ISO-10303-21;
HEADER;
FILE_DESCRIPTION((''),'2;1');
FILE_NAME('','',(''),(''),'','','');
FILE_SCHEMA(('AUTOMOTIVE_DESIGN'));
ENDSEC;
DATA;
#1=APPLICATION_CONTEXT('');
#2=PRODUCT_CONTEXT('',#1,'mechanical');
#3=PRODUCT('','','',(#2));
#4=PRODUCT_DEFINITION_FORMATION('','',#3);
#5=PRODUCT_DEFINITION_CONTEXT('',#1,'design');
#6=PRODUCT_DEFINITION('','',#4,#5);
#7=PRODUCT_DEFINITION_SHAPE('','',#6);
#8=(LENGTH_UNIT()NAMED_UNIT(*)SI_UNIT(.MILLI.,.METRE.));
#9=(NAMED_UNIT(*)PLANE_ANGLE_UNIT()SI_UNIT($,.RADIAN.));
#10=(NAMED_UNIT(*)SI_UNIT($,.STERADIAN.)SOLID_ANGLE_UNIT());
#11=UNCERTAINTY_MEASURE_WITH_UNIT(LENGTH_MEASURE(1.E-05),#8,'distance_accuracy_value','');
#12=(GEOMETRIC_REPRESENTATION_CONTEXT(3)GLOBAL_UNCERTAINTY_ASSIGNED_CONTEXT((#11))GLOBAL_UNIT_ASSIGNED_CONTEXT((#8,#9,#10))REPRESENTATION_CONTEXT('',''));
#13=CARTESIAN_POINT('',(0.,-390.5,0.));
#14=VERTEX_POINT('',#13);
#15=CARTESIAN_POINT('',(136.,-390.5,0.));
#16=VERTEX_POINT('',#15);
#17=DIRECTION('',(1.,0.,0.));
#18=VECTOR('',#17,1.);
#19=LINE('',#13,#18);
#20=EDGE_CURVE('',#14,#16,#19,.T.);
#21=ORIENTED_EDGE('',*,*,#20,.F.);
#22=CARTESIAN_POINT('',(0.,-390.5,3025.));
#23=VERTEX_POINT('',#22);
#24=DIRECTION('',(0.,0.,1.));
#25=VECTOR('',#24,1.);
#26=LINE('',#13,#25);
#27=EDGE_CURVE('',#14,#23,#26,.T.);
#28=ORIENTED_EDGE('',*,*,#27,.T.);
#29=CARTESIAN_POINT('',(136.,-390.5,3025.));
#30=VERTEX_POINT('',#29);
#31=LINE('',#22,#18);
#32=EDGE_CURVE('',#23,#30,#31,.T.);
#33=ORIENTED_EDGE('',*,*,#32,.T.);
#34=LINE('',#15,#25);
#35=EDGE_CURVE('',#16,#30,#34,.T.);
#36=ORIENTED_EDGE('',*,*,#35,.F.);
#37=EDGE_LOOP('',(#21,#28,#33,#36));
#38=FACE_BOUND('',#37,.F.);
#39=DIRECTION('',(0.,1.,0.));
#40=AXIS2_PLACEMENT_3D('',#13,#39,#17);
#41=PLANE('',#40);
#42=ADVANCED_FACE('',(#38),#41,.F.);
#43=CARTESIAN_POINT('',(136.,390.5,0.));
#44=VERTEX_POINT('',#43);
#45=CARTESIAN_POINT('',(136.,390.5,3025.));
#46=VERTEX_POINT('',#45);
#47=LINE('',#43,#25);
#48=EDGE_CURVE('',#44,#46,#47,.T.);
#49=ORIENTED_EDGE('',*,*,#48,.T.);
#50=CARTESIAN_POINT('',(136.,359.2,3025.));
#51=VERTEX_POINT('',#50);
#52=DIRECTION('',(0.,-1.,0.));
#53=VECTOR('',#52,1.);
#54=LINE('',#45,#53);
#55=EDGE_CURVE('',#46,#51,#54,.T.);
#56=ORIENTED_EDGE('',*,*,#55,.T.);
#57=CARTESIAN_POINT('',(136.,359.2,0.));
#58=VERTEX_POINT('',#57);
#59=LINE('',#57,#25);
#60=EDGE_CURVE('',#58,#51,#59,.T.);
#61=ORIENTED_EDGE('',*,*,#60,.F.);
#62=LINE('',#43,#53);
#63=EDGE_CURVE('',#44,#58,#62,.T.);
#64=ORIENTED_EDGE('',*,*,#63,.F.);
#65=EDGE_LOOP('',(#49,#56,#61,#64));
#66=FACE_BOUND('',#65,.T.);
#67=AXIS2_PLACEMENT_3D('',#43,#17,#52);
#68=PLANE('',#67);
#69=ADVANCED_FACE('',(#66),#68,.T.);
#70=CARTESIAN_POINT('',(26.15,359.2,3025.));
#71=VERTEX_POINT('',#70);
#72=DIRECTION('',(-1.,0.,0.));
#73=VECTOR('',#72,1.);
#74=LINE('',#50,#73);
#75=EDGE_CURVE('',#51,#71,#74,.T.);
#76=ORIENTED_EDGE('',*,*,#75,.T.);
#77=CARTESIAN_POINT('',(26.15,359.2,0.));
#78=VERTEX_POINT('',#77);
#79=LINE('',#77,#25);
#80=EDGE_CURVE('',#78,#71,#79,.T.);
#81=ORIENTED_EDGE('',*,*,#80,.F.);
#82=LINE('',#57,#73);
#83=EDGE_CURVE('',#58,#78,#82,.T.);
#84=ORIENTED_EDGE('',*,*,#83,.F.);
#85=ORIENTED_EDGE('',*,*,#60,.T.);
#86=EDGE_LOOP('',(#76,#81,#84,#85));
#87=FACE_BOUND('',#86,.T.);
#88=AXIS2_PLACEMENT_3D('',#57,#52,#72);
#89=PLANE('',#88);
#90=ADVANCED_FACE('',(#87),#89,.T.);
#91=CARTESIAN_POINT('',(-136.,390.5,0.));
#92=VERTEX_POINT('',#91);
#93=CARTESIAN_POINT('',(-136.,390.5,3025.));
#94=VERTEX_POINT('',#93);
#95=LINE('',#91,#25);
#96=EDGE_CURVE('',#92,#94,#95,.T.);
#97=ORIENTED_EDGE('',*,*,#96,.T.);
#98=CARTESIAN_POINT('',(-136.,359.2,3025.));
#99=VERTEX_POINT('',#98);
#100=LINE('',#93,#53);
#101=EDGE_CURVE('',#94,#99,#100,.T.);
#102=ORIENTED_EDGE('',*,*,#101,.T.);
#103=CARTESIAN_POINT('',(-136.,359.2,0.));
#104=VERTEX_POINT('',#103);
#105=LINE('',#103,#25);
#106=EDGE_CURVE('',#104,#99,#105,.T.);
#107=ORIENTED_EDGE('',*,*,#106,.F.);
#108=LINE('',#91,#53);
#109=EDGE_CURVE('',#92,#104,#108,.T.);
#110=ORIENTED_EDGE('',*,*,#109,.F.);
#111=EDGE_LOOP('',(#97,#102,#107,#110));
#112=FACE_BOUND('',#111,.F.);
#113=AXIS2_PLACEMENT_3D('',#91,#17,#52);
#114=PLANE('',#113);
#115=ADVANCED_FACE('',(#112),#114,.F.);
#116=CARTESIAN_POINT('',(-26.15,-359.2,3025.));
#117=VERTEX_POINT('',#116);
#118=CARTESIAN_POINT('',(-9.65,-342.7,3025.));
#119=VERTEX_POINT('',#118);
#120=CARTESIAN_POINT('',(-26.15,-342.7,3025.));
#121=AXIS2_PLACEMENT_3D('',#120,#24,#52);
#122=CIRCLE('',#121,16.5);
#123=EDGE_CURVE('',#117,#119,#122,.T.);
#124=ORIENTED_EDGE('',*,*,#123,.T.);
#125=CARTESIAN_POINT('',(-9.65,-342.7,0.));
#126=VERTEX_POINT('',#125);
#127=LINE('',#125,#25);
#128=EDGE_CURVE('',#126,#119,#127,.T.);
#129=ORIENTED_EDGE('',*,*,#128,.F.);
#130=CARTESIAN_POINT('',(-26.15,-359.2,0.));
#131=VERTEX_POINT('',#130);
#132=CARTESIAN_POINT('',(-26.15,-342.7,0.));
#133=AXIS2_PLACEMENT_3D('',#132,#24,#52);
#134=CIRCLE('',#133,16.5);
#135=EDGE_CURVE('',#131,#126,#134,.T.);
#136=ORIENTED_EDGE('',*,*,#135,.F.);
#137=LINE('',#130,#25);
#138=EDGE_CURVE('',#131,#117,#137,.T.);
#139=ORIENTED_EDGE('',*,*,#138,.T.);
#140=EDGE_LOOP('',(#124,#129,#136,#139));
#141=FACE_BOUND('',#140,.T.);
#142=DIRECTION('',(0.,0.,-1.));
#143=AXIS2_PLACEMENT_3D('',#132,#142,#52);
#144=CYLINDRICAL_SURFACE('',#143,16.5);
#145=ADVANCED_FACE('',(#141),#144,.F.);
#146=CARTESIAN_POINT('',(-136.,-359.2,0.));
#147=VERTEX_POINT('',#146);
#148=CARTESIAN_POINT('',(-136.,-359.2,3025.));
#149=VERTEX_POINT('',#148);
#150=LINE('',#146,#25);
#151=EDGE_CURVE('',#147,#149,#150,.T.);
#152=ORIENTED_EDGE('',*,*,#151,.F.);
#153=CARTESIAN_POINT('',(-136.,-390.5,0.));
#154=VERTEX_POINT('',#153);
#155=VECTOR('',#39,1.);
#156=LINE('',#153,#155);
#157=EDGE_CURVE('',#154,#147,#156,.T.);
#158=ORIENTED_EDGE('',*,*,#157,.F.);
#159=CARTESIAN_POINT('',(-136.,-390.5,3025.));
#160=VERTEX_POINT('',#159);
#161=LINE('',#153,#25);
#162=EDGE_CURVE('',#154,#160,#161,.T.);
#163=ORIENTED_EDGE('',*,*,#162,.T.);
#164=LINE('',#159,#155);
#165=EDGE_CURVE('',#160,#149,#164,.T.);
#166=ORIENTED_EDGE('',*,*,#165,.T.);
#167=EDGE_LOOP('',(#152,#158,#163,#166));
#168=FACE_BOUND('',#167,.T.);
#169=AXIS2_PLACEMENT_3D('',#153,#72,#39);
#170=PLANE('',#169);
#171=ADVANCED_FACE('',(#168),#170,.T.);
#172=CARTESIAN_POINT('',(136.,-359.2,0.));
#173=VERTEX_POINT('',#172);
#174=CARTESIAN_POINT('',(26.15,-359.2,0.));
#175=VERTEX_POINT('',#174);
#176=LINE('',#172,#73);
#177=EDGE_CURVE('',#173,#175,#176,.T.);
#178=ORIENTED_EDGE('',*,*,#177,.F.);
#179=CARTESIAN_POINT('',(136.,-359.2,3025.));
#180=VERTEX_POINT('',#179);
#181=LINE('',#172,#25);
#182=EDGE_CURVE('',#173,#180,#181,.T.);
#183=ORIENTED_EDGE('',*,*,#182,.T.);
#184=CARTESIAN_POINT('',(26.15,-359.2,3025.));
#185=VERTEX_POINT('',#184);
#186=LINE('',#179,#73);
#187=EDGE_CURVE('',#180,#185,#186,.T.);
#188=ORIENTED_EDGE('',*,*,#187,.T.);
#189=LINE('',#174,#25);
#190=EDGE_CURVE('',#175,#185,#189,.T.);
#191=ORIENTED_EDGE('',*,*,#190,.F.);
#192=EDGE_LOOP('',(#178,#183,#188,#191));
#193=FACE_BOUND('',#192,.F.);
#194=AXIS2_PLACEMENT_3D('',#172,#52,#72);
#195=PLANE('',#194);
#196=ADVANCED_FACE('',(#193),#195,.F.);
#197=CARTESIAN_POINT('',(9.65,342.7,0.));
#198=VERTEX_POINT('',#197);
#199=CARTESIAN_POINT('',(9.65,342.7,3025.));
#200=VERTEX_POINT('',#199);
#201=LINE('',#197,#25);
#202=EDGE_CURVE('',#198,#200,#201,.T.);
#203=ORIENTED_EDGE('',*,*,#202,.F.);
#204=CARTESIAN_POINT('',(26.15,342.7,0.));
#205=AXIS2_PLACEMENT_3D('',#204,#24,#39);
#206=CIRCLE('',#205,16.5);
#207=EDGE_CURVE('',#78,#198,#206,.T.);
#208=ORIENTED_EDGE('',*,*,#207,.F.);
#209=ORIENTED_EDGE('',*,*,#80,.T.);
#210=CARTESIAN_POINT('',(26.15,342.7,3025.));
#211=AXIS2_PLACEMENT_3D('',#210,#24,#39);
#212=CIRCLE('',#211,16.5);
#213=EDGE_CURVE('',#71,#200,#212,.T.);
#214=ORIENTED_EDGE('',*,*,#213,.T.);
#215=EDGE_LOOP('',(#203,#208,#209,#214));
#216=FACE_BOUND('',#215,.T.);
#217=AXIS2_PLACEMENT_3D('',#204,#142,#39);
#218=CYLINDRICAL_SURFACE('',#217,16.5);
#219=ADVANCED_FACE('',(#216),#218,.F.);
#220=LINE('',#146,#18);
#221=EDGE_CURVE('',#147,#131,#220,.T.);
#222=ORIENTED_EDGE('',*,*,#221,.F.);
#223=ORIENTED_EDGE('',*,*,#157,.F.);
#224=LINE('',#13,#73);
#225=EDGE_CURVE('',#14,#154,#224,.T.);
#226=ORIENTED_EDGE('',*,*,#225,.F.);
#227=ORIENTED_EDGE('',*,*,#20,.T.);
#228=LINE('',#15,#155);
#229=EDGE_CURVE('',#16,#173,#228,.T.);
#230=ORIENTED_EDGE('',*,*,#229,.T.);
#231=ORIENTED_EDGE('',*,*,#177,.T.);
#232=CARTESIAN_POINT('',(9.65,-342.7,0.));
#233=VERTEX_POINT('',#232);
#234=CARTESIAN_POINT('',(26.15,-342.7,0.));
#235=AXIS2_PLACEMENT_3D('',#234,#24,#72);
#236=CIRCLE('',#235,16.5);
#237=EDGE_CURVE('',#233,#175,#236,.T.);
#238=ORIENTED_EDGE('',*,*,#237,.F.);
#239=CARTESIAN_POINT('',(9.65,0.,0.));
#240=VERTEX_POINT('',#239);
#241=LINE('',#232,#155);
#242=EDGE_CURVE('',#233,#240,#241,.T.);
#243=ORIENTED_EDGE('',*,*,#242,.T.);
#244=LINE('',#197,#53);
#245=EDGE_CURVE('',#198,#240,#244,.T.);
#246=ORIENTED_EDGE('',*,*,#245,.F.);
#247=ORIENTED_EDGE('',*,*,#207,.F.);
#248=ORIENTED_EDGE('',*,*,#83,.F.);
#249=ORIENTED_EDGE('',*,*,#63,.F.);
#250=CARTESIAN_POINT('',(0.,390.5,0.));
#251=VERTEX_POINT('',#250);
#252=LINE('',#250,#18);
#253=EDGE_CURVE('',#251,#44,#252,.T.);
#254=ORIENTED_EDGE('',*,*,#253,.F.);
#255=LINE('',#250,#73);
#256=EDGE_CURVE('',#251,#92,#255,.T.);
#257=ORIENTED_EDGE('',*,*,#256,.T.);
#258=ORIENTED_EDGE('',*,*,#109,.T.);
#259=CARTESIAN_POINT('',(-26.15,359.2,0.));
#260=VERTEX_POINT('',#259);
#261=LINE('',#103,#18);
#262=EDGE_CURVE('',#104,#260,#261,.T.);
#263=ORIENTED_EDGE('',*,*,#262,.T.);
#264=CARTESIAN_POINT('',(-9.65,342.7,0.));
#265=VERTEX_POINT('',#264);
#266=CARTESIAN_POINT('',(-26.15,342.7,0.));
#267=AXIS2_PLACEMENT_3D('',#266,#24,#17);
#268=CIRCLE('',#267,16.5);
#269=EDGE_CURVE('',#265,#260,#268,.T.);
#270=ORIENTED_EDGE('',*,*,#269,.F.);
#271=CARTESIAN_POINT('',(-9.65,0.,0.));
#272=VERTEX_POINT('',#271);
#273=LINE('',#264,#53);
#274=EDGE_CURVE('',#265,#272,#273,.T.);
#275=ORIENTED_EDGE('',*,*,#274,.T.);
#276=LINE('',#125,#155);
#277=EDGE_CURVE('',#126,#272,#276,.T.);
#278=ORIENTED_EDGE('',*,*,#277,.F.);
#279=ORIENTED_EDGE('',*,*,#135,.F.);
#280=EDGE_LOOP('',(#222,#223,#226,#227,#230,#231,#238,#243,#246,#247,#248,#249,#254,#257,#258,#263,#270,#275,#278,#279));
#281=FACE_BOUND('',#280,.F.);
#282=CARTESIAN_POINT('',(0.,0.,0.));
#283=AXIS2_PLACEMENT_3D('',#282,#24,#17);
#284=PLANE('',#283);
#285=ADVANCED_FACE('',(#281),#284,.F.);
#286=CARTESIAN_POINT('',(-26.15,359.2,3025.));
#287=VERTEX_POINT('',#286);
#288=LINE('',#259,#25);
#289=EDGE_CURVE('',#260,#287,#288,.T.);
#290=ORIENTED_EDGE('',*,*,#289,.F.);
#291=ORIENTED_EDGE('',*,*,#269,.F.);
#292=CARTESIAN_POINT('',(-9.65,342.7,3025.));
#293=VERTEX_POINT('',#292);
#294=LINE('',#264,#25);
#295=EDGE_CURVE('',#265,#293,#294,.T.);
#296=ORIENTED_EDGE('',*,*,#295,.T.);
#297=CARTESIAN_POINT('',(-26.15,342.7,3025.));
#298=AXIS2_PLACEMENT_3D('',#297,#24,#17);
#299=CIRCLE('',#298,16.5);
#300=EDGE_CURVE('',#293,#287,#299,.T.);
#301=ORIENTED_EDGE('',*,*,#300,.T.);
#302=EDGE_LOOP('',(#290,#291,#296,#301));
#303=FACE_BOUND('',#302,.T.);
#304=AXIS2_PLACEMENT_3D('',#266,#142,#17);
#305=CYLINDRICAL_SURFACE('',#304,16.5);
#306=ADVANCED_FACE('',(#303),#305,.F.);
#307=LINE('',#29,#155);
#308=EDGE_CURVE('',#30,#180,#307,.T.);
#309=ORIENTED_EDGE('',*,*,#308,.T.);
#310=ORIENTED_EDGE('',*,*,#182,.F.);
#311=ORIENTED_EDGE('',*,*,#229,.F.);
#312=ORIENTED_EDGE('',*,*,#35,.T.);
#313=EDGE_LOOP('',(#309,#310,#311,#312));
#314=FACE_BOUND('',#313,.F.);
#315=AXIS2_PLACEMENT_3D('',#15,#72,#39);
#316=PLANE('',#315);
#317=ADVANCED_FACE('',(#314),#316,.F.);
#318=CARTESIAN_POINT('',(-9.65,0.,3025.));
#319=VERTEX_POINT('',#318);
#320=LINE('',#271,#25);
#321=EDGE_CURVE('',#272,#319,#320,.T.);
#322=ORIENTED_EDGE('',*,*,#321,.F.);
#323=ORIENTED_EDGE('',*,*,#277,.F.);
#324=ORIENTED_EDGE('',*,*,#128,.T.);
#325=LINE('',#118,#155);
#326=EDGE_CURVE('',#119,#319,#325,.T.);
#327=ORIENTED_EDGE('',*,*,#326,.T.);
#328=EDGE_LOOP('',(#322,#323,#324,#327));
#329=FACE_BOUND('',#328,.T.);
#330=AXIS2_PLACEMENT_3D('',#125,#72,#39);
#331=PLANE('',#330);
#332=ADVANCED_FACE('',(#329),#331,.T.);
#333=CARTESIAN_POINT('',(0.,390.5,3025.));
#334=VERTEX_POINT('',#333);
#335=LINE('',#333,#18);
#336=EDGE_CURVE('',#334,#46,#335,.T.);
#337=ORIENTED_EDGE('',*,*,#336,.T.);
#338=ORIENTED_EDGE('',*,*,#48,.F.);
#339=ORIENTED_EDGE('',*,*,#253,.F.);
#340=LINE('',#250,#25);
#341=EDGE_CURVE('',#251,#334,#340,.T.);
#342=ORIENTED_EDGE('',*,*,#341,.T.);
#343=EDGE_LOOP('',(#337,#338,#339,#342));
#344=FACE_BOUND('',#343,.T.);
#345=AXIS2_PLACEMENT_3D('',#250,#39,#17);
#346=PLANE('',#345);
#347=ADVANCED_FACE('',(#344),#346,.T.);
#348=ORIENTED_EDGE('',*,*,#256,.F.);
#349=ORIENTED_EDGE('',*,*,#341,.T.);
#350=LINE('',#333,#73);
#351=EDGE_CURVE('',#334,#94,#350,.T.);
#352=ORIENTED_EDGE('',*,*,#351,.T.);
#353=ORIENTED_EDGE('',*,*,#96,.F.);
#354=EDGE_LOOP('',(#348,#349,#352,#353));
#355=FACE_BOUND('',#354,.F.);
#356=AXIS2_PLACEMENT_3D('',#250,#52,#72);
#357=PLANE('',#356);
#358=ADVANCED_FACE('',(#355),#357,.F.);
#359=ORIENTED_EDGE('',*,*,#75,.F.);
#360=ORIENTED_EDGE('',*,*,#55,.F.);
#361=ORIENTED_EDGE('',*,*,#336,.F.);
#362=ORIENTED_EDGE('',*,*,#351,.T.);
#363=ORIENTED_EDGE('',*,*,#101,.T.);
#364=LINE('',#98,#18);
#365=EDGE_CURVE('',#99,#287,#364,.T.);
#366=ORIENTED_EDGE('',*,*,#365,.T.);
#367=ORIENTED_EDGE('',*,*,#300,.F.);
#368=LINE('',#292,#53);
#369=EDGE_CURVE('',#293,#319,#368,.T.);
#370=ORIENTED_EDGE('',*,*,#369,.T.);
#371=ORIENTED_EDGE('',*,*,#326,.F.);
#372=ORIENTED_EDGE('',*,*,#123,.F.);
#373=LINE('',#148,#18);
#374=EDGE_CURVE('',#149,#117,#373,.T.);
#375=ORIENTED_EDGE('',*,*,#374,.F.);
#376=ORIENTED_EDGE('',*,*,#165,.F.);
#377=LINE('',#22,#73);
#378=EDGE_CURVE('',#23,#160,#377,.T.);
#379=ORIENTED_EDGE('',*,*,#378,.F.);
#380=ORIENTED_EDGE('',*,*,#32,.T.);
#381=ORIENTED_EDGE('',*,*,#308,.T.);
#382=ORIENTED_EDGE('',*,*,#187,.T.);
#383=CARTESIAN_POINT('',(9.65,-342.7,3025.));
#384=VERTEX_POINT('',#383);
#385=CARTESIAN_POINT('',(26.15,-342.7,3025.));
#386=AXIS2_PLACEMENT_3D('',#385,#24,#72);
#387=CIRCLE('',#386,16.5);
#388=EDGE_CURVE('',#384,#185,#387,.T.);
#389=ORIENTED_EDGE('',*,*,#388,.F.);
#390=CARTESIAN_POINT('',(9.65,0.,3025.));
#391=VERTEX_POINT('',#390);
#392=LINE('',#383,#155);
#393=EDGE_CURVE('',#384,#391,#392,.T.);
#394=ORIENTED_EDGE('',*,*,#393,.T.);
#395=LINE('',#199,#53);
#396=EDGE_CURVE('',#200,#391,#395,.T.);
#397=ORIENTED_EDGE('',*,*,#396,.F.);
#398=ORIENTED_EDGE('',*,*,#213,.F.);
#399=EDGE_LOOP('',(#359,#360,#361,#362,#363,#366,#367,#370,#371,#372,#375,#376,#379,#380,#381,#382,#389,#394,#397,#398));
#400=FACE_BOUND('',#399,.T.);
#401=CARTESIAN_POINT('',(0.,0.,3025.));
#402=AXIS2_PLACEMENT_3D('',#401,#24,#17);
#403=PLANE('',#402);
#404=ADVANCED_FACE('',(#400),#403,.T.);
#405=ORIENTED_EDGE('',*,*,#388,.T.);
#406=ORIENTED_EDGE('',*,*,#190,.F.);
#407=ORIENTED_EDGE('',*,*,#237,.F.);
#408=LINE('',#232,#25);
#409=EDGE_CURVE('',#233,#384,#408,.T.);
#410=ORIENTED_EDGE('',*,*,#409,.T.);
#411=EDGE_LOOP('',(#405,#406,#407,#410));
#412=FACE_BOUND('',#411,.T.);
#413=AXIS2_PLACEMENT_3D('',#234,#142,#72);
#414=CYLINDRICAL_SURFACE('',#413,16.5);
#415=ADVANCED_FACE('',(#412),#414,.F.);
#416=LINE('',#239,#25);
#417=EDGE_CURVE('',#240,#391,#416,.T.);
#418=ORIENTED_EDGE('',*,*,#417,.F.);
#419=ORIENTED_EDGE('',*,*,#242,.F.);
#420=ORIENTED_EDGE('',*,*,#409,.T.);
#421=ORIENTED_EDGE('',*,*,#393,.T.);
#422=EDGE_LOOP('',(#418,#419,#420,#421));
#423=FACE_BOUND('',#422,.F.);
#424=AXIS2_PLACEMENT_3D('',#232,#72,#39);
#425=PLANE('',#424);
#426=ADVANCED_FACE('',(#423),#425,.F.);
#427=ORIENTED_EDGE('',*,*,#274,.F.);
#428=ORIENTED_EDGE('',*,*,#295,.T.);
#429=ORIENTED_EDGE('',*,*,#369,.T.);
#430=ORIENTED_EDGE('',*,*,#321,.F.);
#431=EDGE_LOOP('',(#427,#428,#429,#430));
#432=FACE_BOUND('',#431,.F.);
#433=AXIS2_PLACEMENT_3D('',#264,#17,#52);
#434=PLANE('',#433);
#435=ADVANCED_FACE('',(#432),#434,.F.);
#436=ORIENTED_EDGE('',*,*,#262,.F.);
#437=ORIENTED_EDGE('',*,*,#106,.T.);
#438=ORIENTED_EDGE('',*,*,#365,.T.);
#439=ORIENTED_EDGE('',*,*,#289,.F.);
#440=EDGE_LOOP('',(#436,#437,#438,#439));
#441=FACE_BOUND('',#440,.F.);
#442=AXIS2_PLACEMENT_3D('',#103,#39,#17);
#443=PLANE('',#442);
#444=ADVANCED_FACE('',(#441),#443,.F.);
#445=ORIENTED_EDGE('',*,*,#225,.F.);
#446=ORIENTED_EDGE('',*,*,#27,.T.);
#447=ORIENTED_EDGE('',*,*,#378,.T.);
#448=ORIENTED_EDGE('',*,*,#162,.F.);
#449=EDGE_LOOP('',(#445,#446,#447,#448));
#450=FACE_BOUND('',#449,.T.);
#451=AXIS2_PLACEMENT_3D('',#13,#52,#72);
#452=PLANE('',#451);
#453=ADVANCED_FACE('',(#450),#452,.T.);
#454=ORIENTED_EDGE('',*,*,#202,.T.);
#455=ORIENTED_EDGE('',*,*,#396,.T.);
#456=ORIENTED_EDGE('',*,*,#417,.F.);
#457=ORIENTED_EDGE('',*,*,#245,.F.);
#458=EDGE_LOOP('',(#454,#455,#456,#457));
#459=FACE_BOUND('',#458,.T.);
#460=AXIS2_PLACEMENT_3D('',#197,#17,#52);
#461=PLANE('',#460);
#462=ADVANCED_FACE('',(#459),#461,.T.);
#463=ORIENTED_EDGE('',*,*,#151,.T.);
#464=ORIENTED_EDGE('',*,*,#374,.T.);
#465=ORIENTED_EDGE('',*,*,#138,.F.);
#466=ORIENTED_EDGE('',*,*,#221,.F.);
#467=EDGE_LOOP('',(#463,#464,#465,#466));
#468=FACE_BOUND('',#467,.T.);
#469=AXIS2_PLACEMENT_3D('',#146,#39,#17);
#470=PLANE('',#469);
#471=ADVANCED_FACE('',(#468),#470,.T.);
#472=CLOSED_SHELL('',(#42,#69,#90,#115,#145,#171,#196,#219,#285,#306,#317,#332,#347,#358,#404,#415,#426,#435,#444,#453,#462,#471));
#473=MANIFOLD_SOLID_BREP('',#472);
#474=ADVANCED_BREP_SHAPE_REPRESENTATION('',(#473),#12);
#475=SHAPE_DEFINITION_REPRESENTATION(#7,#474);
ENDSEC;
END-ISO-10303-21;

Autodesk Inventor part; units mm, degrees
ref_plane "YZ Plane" through (0, 0, 0) normal (1, 0, 0) x (0, 1, 0)
ref_plane "Start plane" through (0, 0, 0) normal (0, 0, 1) x (1, 0, 0)
ref_plane "End plane" through (0, 0, 3025) normal (0, 0, 1) x (1, 0, 0)
sketch "Sketch" plane through (0, 0, 0) normal (0, 0, 1) x (1, 0, 0)
  line L0 (-136, -390.5) -> (-136, -359.2)
  line L1 (-136, -359.2) -> (-26.15, -359.2)
  line L2 (-9.65, -342.7) -> (-9.65, 0)
  line L3 (-9.65, 0) -> (0, 0) construction
  line L4 (0, 0) -> (0, -390.5) construction
  line L5 (0, -390.5) -> (-136, -390.5)
  line L6 (-60, 0) -> (80, 0) construction
  line L7 (0, -60) -> (0, 80) construction
  line L8 (136, -390.5) -> (136, -359.2)
  line L9 (136, -359.2) -> (26.15, -359.2)
  line L10 (9.65, -342.7) -> (9.65, 0)
  line L11 (9.65, 0) -> (0, 0) construction
  line L12 (0, -390.5) -> (136, -390.5)
  line L13 (-136, 390.5) -> (-136, 359.2)
  line L14 (-136, 359.2) -> (-26.15, 359.2)
  line L15 (-9.65, 342.7) -> (-9.65, 0)
  line L16 (0, 390.5) -> (-136, 390.5)
  line L17 (136, 390.5) -> (136, 359.2)
  line L18 (136, 359.2) -> (26.15, 359.2)
  line L19 (0, 390.5) -> (136, 390.5)
  line L20 (9.65, 342.7) -> (9.65, 0)
  arc A0 (-9.65, 342.7) -> (-26.15, 359.2) centre (-26.15, 342.7) ccw
  arc A1 (26.15, 359.2) -> (9.65, 342.7) centre (26.15, 342.7) ccw
  arc A2 (9.65, -342.7) -> (26.15, -359.2) centre (26.15, -342.7) ccw
  arc A3 (-26.15, -359.2) -> (-9.65, -342.7) centre (-26.15, -342.7) ccw
  line L21 (0, 108) -> (0, -88) construction
  line L22 (-88, 0) -> (108, 0) construction
  point P0 (-9.65, -359.2)
  point P1 (9.65, -359.2)
  point P2 (-9.65, 359.2)
  point P3 (9.65, 359.2)
  dimension "d1" = 390.5
  dimension "d2" = 31.3
  dimension "d3" = 136
  dimension "d4" = 9.65
  dimension "d10" = 16.5
extrude "Body" add sketch "Sketch" along normal up to surface (3025 mm away) from surface at 0
sketch "Sketch4" plane through (0, 0, 0) normal (0, 0, 1) x (1, 0, 0)
  line L0 (0, 0) -> (10, 0)
ref_plane "Work Plane3" through (0, 0, 0) normal (0, -1, 0) x (1, 0, 0)
sketch "Sketch5" plane through (0, 0, 0) normal (0, -1, 0) x (1, 0, 0)
  line L0 (-2, 0) -> (12, 0) projected
  line L1 (-2, 3025) -> (12, 3025) projected
  dimension "d14" = 3025
equation "\"d1\" = 0.5 * G_H"
equation "\"d2\" = G_T1"
equation "\"d3\" = 0.5 * G_W"
equation "\"d4\" = 0.5 * G_T"
equation "\"d10\" = G_IR"
equation "\"d5\" = G_L"
equation "\"G_W\" = 272"
equation "\"G_H\" = 781"
equation "\"G_T\" = 19.3"
equation "\"G_T1\" = 31.3"
equation "\"G_IR\" = 16.5"
equation "\"G_L\" = d14"
equation "\"G_OFFSET_START\" = 0"
equation "\"G_OFFSET_END\" = 0"
equation "\"d12\" = G_OFFSET_END + B_L"
equation "\"B_L\" = 3025"
properties part number "AS 3679-1990 - 760 UB - 244 - 3025" material "Steel, Mild"
